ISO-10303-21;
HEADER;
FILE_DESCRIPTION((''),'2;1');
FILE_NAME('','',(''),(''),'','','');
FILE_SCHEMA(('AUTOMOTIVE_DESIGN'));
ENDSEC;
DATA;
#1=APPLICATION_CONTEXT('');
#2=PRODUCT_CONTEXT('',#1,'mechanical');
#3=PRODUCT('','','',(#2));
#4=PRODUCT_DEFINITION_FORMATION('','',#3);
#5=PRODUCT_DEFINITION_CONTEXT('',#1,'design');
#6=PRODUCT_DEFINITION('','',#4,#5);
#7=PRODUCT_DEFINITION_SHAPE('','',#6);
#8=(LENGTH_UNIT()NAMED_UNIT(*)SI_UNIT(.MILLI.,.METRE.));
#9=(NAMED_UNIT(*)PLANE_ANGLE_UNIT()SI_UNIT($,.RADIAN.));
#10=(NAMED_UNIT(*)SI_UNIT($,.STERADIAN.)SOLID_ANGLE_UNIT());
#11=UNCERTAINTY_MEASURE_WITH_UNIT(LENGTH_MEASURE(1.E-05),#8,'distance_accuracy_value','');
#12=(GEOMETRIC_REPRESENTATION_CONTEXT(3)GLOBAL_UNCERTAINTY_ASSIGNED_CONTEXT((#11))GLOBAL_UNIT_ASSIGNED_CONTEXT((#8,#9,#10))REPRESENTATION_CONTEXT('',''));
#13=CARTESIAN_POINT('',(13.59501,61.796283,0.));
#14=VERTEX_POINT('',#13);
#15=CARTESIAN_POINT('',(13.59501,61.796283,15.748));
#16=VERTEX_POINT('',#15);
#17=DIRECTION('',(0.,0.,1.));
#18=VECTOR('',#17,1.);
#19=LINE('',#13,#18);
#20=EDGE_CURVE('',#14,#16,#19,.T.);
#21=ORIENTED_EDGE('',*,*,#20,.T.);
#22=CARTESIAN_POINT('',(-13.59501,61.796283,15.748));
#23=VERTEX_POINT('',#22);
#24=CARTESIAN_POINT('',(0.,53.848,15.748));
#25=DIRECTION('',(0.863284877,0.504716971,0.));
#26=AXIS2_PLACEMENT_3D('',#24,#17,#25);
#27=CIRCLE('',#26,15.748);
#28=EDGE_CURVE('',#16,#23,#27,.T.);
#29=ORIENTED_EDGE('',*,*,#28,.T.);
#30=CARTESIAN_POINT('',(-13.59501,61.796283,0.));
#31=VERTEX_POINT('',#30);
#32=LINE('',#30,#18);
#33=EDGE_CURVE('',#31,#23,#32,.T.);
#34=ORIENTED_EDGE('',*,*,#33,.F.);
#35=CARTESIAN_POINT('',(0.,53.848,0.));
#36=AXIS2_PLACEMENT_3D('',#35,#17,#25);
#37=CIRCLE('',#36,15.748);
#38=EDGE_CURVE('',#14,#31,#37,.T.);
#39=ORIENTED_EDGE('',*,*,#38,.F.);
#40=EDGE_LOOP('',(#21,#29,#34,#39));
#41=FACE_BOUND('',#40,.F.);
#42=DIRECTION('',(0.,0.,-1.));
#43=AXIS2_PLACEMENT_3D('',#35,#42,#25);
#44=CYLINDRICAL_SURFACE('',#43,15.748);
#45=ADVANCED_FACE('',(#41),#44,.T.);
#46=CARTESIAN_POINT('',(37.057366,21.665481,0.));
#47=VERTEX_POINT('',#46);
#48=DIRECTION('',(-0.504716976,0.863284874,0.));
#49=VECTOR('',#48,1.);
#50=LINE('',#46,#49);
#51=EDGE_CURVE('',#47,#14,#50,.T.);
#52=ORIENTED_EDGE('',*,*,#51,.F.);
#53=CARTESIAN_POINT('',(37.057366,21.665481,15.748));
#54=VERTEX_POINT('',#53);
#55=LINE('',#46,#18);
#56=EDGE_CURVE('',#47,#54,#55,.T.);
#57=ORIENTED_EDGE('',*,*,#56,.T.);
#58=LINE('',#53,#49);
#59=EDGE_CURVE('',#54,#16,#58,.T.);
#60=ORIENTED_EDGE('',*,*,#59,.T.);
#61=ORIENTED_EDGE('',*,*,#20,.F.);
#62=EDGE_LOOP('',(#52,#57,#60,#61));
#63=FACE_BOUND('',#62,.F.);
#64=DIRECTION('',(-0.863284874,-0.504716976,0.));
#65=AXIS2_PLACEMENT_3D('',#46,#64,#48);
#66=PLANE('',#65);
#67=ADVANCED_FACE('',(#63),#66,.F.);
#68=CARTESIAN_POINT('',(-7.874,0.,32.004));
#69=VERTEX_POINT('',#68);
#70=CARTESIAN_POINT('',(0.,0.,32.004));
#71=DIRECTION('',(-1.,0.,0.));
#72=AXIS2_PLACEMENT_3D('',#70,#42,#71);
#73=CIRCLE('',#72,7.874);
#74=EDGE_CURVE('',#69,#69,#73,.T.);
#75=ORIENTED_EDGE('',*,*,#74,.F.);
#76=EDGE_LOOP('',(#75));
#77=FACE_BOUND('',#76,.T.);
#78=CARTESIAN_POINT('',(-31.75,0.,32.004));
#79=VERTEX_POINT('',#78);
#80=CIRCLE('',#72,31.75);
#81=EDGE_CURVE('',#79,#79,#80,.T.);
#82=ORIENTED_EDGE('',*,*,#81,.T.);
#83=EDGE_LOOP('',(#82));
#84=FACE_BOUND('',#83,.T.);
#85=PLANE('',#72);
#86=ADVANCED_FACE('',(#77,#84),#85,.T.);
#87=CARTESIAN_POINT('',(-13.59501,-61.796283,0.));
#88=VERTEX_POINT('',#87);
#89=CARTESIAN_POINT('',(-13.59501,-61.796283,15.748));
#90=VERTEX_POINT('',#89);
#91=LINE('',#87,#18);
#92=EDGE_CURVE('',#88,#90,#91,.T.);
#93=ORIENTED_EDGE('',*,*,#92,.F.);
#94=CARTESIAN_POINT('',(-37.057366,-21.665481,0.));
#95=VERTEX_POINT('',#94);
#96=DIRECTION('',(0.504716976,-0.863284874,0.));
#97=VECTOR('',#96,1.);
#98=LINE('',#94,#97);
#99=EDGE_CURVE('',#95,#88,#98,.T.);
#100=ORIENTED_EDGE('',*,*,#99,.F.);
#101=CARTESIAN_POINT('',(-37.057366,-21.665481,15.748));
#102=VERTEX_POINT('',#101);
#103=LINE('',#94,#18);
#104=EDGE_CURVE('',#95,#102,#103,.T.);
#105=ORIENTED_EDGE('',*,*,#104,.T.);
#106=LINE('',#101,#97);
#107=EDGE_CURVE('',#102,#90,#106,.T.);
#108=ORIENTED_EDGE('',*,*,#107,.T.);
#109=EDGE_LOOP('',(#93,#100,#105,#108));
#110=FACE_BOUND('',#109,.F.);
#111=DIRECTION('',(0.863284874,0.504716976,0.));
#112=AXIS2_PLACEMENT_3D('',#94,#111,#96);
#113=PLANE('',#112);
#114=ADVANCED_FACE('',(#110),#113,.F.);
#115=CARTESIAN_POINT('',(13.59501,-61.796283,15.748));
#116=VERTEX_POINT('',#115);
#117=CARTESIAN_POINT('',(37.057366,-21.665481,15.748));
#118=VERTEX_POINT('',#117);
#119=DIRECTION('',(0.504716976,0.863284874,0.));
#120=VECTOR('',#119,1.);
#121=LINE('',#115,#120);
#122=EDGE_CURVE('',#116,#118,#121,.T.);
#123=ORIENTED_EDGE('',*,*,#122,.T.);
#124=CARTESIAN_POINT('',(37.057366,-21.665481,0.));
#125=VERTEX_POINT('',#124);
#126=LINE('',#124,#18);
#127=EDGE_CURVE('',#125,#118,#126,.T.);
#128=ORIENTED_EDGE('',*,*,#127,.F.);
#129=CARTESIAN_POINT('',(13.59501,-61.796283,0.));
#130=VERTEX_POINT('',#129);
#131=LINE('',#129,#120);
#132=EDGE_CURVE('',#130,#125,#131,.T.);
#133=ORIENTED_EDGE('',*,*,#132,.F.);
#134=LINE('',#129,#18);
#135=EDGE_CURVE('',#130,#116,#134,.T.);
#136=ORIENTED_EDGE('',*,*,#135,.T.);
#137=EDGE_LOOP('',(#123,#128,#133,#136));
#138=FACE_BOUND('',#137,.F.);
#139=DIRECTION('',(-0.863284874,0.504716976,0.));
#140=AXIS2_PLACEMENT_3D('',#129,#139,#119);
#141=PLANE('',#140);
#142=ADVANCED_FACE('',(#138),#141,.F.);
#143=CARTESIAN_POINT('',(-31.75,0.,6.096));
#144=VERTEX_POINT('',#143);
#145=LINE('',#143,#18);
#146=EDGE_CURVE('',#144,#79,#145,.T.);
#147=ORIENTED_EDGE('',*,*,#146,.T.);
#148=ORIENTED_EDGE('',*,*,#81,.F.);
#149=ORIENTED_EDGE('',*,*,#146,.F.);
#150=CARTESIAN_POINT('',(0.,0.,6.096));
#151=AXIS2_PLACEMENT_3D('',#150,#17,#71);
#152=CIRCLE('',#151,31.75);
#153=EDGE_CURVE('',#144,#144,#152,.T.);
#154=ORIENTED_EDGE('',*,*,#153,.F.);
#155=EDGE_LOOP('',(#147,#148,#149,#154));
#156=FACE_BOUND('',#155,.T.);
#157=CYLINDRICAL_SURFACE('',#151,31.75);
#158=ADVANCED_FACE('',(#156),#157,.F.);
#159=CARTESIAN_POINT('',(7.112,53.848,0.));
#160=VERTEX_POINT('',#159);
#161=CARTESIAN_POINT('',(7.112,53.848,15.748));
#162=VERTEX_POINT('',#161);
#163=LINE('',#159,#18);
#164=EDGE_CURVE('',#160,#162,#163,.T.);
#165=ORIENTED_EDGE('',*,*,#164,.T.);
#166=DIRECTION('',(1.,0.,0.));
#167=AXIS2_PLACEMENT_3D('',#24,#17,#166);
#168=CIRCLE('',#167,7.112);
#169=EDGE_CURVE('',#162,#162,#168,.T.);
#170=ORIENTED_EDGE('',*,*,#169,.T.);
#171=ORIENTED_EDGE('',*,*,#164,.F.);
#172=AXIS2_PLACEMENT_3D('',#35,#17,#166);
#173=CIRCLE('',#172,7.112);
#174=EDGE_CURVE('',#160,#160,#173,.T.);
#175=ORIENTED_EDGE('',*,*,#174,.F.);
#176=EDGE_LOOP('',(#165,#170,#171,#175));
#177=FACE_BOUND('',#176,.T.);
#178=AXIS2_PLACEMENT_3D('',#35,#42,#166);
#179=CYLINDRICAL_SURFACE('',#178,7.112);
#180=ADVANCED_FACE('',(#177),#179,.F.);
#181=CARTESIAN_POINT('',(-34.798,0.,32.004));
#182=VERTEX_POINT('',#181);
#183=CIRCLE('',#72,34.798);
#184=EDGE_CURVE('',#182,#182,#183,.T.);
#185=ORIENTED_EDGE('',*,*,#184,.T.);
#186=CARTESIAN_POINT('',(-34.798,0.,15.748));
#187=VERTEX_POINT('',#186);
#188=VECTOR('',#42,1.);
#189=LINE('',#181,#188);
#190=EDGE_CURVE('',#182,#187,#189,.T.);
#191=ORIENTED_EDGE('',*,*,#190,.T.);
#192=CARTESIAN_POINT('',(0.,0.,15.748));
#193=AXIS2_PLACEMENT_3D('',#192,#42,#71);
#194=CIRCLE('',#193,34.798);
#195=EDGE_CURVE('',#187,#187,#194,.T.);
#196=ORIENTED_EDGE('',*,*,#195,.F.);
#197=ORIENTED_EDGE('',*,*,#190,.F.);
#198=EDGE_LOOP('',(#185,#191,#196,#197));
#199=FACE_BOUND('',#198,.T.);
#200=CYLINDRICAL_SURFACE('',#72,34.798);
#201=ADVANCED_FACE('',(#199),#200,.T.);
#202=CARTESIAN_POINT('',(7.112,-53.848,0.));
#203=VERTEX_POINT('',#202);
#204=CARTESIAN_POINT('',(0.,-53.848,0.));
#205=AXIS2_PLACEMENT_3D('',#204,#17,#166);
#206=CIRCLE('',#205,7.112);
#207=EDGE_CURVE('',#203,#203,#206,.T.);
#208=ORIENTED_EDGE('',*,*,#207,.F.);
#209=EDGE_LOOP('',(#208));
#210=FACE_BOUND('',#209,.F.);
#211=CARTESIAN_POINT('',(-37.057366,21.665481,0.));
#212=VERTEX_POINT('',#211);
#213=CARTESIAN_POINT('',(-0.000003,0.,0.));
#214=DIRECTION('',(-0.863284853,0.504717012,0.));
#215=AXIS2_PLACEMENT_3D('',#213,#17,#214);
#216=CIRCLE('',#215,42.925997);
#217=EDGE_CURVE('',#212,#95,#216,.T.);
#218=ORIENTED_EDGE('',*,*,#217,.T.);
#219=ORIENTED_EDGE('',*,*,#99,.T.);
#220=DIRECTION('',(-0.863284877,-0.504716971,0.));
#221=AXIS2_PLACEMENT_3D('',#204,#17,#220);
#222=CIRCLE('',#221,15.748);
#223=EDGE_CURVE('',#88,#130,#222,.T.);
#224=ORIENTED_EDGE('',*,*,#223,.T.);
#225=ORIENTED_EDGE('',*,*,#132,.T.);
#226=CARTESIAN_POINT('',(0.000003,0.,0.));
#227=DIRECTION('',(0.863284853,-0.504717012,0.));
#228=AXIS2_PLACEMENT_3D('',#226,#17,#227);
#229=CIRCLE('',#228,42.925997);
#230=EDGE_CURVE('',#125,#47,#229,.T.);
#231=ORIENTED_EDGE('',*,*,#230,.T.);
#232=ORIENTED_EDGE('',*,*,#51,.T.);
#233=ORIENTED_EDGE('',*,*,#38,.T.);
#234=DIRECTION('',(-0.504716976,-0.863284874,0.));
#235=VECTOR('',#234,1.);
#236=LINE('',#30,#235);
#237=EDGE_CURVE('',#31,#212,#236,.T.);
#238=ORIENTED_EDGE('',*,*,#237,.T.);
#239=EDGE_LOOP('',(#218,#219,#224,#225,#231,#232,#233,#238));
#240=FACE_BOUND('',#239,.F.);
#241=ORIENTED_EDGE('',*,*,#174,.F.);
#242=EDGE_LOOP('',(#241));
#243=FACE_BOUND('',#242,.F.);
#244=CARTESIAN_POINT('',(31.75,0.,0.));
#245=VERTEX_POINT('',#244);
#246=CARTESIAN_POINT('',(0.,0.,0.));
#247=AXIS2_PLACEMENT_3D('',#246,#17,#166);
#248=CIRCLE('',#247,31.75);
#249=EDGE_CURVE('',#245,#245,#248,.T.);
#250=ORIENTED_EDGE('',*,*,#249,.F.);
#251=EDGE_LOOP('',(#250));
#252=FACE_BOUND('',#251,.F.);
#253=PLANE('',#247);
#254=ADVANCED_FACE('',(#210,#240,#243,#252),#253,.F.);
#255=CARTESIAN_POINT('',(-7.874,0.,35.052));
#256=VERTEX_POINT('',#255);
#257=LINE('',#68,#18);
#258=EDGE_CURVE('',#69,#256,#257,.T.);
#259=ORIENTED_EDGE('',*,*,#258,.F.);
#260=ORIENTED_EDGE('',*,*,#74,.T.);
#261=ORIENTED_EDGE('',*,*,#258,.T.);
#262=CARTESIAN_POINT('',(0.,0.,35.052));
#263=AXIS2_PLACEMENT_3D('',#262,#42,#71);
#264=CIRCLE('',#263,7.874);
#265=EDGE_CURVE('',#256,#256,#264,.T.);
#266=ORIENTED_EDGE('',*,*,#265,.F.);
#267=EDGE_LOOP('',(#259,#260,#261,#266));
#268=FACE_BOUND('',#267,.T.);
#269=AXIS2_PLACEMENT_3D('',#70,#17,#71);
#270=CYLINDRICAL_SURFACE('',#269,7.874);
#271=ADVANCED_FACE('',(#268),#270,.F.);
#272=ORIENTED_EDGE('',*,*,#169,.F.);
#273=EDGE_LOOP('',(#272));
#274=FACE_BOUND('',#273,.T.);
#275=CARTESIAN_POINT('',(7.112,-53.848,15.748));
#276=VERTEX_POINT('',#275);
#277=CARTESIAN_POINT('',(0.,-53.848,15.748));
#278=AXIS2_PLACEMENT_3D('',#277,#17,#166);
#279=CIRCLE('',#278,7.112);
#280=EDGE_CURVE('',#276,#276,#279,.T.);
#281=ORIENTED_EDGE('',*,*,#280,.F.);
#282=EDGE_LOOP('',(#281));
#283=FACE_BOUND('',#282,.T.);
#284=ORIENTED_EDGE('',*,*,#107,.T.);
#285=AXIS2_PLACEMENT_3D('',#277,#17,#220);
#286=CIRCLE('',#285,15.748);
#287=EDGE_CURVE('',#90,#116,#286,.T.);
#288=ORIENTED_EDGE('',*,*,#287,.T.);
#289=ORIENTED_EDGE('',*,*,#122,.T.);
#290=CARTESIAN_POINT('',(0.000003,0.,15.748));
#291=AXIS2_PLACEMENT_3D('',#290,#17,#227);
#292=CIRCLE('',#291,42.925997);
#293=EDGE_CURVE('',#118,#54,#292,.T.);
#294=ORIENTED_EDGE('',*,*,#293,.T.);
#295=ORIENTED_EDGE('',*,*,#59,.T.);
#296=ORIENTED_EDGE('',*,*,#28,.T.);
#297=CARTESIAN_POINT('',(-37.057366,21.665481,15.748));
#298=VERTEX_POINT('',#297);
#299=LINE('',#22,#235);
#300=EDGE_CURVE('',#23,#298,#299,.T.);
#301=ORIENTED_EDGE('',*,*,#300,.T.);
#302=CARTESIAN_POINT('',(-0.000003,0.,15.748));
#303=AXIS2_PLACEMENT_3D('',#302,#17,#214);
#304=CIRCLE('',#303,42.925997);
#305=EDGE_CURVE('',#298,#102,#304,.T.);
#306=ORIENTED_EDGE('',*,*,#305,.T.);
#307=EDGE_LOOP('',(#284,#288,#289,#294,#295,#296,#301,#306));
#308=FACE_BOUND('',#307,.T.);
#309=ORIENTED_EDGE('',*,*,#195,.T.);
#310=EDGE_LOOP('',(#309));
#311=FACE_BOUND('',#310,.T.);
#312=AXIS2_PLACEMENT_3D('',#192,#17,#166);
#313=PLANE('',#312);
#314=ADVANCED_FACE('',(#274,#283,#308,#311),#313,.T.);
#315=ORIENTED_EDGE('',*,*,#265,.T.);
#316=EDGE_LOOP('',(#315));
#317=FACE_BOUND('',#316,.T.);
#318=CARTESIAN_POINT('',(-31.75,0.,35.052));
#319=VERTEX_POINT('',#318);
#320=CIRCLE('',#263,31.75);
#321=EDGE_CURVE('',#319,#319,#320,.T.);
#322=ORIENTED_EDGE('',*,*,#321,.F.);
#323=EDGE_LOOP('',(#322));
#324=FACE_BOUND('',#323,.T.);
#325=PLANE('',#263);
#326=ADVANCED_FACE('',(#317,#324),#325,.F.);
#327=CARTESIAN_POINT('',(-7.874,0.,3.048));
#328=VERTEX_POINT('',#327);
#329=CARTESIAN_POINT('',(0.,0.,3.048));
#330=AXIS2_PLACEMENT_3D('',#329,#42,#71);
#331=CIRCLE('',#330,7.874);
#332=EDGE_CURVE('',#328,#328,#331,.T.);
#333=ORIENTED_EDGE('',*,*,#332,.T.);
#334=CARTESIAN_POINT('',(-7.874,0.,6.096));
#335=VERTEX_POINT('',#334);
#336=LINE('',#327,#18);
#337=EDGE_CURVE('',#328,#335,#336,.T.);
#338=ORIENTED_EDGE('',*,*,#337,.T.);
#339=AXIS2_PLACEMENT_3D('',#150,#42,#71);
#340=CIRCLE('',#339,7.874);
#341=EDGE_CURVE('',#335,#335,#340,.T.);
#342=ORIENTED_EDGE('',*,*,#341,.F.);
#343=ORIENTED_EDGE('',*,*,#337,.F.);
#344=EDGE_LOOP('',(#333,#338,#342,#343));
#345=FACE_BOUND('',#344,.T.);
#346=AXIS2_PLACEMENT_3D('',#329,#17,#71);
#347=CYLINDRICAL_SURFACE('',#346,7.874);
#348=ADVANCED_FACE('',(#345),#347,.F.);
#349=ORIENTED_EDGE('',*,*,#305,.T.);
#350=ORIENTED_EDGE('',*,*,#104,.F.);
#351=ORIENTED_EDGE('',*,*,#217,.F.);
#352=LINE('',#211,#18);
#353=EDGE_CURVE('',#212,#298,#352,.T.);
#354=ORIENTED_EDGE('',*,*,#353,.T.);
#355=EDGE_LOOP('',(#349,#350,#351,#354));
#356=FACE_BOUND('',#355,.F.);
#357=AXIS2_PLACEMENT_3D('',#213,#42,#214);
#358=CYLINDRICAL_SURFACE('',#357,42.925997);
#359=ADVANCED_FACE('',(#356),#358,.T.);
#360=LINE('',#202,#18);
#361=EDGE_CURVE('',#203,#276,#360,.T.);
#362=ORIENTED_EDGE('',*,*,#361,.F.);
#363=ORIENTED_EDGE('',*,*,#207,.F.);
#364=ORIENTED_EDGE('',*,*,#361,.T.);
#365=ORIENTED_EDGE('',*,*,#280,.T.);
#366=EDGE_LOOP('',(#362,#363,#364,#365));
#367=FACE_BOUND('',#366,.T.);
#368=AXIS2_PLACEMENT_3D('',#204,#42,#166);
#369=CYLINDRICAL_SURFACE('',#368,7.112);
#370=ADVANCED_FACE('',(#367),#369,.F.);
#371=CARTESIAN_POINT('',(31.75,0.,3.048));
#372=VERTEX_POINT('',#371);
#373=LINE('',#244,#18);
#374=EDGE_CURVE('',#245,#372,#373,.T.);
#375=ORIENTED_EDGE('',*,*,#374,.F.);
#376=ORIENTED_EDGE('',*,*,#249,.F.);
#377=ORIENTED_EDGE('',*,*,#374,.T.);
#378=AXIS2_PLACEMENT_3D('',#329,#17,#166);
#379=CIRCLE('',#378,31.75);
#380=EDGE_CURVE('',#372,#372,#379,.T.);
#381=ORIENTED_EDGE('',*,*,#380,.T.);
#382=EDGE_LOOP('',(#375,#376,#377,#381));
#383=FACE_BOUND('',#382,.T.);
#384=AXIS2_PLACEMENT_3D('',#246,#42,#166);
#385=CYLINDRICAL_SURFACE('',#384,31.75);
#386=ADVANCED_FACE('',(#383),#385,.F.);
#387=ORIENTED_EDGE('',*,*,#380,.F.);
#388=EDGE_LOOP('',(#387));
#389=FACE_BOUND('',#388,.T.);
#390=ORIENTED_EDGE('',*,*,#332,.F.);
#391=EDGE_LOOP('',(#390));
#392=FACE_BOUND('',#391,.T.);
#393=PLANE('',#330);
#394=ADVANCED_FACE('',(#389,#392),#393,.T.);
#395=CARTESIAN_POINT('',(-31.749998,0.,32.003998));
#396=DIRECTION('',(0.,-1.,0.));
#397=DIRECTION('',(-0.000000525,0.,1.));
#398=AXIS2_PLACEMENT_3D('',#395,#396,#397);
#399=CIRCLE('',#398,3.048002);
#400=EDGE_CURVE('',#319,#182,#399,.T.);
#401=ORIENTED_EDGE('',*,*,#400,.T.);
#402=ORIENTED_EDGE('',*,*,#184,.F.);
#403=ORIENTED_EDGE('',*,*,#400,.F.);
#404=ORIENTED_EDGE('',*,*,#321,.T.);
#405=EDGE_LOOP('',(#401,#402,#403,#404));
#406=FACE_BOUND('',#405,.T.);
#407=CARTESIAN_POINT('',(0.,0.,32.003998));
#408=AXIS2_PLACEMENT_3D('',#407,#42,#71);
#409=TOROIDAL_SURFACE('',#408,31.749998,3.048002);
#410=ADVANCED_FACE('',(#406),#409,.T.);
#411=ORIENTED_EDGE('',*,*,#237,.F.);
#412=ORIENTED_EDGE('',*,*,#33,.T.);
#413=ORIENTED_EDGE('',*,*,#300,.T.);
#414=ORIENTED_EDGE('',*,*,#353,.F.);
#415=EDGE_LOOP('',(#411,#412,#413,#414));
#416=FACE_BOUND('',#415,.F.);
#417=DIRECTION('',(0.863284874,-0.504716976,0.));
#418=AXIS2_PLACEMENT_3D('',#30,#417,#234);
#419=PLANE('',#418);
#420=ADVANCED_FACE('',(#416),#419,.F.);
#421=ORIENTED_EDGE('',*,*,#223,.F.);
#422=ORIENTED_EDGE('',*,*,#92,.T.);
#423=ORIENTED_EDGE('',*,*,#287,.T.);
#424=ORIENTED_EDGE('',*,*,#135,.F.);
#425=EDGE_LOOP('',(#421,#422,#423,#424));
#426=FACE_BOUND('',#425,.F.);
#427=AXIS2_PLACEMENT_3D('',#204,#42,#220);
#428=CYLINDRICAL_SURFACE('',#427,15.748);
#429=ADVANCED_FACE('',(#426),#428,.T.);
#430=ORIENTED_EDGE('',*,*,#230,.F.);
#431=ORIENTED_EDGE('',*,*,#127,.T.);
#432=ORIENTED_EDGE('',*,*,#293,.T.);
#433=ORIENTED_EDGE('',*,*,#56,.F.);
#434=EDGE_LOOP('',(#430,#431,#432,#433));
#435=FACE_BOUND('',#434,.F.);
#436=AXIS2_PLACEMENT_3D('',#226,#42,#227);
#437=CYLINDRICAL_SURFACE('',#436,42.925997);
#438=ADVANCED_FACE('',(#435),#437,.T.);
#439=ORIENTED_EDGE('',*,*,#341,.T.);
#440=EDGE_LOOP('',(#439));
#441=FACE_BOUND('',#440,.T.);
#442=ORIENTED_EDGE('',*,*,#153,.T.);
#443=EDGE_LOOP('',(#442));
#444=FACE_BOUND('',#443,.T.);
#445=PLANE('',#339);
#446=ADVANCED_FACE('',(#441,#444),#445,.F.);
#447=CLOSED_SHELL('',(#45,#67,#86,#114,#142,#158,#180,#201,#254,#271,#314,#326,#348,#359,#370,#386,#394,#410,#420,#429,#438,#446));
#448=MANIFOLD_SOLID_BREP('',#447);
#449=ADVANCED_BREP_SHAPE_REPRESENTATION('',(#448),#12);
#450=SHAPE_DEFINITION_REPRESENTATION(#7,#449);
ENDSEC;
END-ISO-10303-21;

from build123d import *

# Parameters (mm, degrees)
F2_R     = 7.112
F2_R_2   = 31.75
F3_DEPTH = 15.748


with BuildPart() as f1:
    # F0 (on Front) → F1 (revolve)
    with BuildSketch(Plane.XZ):
        with BuildLine():
            Line((-7.874, 32.004), (-7.874, 35.052))
            Line((-7.874, 35.052), (-31.75, 35.052))
            ThreePointArc((-31.75, 35.052), (-33.905261, 34.159261), (-34.798, 32.004))
            Line((-34.798, 32.004), (-34.798, 6.096))
            ThreePointArc((-34.798, 6.096), (-33.905261, 3.940739), (-31.75, 3.048))
            Line((-31.75, 3.048), (-7.874, 3.048))
            Line((-7.874, 3.048), (-7.874, 6.096))
            Line((-7.874, 6.096), (-31.75, 6.096))
            Line((-31.75, 6.096), (-31.75, 32.004))
            Line((-31.75, 32.004), (-7.874, 32.004))
        make_face()
    revolve(axis=Axis((0, 0, 44.822252), (0, 0, -1)))

    # F2 (on Top) → F3 (join)
    with BuildSketch(Plane.XY):
        with BuildLine():
            Line((-37.057366, -21.665481), (-13.59501, -61.796283))
            ThreePointArc((-13.59501, -61.796283), (0, -69.596), (13.59501, -61.796283))
            Line((13.59501, -61.796283), (37.057366, -21.665481))
            ThreePointArc((37.057366, -21.665481), (42.926, 0), (37.057366, 21.665481))
            Line((37.057366, 21.665481), (13.59501, 61.796283))
            ThreePointArc((13.59501, 61.796283), (0, 69.596), (-13.59501, 61.796283))
            Line((-13.59501, 61.796283), (-37.057366, 21.665481))
            ThreePointArc((-37.057366, 21.665481), (-42.926, 0), (-37.057366, -21.665481))
        make_face()
        with Locations((0, -53.848)):
            Circle(F2_R, mode=Mode.SUBTRACT)
        Circle(F2_R_2, mode=Mode.SUBTRACT)
        with Locations((0, 53.848)):
            Circle(F2_R, mode=Mode.SUBTRACT)
    extrude(amount=F3_DEPTH)


solid = f1.part
